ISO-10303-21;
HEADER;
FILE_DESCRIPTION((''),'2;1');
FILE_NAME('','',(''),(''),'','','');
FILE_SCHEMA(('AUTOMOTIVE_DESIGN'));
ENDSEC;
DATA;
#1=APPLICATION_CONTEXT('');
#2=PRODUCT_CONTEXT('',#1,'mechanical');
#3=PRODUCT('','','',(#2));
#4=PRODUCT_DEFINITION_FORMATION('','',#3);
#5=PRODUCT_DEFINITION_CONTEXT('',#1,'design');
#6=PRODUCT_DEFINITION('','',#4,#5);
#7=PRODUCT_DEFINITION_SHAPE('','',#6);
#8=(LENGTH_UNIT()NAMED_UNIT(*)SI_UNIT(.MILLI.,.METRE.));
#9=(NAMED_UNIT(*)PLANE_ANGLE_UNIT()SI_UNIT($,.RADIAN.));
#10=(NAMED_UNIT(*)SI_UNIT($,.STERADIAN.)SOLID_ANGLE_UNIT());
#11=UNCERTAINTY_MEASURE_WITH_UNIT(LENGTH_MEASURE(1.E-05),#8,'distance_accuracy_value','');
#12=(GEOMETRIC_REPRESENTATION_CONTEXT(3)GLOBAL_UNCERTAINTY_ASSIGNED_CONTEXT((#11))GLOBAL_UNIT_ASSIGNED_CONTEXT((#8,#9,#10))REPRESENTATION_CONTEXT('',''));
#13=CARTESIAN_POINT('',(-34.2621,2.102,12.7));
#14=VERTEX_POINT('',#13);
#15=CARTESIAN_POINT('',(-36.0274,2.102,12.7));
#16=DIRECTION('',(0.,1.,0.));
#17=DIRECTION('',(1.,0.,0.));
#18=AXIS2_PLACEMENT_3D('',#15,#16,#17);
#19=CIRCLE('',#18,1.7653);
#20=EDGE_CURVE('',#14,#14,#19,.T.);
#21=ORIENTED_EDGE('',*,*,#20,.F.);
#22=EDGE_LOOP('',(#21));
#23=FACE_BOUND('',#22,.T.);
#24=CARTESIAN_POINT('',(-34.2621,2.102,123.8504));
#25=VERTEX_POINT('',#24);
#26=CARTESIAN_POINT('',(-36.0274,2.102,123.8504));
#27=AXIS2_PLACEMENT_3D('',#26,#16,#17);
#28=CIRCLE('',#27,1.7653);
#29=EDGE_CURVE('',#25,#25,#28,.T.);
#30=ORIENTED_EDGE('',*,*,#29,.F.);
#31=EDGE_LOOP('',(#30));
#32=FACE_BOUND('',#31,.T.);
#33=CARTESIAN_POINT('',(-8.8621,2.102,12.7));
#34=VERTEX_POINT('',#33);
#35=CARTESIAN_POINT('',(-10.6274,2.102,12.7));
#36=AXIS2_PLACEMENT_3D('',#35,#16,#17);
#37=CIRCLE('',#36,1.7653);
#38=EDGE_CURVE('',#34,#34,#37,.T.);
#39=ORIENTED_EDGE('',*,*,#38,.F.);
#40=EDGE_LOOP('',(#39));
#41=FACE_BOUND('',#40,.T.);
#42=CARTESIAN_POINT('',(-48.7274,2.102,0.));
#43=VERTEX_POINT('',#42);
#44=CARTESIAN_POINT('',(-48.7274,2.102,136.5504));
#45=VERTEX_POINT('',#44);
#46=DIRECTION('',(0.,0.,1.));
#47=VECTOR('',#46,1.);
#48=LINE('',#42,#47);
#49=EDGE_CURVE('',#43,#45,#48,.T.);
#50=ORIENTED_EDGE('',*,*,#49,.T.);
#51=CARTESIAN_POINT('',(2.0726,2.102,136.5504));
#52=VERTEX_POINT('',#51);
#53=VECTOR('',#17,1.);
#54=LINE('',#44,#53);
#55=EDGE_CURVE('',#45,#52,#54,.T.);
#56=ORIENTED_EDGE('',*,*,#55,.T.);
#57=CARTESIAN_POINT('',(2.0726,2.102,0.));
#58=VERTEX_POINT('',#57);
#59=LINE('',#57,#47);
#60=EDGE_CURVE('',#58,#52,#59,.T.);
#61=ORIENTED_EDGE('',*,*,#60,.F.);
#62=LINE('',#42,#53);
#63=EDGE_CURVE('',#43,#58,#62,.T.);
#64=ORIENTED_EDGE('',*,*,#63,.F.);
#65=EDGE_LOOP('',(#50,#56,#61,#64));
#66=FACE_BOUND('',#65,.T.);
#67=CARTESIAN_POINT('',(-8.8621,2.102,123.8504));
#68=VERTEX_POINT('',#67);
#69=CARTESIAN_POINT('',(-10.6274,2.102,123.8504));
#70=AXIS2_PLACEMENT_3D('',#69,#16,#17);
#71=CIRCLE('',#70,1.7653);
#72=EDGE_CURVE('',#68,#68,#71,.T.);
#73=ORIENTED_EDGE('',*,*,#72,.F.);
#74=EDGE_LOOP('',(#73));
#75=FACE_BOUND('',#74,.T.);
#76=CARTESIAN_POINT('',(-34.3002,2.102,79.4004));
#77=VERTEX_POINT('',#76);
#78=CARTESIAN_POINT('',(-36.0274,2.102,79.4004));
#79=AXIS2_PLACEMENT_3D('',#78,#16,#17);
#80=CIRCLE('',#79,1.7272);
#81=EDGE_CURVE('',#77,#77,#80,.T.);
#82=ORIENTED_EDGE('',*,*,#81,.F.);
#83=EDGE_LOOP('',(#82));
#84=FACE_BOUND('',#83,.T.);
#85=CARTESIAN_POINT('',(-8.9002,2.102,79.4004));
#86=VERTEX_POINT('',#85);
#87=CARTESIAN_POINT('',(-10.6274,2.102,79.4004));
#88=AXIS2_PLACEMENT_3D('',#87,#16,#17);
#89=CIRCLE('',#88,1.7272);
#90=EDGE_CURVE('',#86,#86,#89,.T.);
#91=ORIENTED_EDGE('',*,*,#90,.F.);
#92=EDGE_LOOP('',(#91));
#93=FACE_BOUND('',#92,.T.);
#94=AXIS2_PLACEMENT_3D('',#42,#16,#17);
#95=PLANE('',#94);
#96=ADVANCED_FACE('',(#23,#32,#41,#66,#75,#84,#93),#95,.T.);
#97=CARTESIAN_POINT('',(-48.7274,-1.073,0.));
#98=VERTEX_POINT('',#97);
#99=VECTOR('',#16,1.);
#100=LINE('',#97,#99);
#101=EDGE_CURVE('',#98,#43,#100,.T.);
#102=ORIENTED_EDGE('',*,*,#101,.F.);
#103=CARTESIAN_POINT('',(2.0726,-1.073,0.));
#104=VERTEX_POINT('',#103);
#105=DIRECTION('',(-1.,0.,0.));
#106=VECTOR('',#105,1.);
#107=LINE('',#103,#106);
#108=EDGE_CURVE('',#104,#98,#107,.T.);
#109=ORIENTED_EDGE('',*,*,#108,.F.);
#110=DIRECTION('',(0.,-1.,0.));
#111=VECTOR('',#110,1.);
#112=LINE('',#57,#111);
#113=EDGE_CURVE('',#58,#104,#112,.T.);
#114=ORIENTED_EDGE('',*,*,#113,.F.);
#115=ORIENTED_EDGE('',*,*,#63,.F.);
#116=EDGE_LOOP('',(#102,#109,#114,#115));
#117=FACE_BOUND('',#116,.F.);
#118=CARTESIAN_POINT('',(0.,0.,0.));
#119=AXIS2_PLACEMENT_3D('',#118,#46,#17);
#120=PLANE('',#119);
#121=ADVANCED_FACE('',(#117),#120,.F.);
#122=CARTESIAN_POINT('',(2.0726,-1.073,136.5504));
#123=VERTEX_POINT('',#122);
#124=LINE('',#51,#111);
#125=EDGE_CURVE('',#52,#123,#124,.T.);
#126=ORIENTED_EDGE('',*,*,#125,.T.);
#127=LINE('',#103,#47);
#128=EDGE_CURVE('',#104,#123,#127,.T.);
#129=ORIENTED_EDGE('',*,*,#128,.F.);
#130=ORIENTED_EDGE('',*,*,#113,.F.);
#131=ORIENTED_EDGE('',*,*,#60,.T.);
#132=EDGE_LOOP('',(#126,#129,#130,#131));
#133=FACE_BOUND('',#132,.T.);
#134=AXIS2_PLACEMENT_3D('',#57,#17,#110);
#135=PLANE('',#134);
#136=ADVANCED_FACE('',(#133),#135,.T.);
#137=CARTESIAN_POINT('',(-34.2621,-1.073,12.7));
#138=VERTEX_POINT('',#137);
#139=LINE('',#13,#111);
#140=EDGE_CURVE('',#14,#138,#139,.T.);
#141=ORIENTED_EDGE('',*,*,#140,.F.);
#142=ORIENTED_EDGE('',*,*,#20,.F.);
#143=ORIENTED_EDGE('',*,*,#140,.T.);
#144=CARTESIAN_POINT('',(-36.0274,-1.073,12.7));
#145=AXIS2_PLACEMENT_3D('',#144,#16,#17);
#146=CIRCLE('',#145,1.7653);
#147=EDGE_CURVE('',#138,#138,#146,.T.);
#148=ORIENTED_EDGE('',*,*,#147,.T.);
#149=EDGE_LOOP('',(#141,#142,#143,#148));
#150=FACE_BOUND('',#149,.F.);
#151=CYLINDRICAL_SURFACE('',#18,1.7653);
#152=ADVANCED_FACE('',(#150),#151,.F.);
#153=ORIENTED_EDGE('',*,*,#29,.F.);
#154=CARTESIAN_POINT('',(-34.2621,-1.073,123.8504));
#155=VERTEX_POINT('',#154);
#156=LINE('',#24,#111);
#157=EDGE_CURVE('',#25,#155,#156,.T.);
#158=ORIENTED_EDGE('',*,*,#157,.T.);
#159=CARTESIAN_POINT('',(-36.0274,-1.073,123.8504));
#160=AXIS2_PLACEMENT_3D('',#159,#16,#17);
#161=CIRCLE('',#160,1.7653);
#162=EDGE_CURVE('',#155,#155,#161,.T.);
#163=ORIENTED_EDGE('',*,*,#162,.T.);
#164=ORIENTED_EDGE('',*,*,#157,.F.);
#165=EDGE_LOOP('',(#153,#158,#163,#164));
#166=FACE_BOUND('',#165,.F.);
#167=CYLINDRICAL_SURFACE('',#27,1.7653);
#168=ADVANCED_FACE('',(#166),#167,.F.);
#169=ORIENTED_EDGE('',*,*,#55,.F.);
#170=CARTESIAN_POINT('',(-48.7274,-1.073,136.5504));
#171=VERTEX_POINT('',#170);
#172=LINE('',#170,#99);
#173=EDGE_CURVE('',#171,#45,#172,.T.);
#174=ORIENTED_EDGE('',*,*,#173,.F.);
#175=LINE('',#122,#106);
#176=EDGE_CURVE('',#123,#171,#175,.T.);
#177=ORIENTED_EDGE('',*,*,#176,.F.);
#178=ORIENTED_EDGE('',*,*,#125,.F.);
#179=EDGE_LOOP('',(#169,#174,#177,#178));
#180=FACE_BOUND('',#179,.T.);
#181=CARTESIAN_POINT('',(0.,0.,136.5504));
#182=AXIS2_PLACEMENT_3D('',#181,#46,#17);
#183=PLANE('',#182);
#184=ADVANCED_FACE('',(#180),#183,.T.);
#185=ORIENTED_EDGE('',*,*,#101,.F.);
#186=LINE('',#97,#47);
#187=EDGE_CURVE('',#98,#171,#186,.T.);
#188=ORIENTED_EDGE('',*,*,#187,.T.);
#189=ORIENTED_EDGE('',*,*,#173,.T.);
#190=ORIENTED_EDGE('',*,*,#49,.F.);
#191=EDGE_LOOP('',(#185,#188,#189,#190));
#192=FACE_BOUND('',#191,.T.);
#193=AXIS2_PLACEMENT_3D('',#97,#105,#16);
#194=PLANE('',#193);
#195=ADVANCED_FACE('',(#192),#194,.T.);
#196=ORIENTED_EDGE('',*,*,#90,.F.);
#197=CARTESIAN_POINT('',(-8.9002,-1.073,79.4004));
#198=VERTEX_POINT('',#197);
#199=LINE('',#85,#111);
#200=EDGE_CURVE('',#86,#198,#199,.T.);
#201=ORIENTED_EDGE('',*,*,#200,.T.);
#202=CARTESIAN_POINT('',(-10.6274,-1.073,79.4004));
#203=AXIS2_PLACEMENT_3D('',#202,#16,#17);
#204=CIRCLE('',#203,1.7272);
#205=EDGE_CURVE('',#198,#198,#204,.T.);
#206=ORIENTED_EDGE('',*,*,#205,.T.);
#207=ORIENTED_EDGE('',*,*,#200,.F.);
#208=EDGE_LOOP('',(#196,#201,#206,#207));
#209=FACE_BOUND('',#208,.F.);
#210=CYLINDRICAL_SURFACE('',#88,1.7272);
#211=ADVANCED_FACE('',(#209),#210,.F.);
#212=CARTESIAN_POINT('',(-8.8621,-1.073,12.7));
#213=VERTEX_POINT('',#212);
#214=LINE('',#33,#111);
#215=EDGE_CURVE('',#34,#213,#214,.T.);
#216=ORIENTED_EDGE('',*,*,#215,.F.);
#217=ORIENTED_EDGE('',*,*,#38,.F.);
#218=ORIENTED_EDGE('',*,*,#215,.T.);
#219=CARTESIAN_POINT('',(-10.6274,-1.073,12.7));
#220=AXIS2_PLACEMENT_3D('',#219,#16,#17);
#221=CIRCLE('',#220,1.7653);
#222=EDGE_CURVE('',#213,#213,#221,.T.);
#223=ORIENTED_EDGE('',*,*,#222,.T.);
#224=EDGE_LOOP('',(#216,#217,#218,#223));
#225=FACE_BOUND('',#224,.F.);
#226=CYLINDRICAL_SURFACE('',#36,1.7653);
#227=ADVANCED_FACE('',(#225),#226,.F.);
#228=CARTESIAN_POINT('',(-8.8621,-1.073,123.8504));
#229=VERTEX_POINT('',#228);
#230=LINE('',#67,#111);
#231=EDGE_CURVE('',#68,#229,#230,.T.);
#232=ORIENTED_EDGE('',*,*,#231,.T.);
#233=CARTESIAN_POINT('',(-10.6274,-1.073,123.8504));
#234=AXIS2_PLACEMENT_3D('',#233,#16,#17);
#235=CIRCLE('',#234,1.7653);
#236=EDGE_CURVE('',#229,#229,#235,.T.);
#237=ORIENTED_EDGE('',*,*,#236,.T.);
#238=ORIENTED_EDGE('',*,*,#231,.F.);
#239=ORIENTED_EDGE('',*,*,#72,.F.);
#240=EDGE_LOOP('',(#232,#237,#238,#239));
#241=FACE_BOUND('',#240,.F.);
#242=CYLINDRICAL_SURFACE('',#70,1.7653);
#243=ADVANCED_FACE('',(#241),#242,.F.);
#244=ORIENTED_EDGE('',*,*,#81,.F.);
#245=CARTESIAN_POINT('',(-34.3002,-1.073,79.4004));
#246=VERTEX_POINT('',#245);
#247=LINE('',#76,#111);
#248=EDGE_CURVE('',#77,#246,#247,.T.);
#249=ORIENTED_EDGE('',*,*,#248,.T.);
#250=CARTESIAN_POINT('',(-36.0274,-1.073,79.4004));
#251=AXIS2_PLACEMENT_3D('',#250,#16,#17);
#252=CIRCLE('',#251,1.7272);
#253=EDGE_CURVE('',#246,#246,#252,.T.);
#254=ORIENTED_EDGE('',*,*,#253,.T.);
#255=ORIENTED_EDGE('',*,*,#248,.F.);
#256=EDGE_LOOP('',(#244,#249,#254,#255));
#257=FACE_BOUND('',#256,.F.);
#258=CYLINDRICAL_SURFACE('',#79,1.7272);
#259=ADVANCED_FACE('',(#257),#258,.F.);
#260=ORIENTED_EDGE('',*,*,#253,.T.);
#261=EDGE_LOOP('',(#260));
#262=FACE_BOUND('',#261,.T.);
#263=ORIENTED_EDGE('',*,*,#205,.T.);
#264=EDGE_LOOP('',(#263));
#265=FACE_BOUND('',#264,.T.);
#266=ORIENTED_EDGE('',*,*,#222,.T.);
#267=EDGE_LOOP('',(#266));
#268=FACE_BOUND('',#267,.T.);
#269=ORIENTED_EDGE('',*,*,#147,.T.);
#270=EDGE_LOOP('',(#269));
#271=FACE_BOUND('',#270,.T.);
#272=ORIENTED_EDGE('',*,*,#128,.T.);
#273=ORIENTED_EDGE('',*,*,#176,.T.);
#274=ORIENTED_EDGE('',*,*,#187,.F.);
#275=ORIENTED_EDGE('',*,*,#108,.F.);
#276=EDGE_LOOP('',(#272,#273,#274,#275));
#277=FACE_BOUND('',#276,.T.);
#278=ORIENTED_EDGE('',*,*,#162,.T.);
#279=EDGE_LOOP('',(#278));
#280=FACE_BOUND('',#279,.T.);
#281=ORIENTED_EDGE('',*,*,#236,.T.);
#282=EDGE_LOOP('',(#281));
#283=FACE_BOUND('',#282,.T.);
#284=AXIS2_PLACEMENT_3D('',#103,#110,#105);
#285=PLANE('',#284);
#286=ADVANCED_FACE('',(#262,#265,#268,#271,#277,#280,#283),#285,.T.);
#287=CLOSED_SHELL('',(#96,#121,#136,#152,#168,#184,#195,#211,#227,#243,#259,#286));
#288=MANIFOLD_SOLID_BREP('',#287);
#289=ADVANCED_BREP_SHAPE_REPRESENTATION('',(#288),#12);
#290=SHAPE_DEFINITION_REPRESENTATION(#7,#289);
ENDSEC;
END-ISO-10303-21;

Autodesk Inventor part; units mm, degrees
ref_plane "YZ Plane" through (0, 0, 0) normal (1, 0, 0) x (0, 1, 0)
ref_plane "XZ Plane" through (0, 0, 0) normal (0, 1, 0) x (-1, 0, 0)
ref_plane "XY Plane" through (0, 0, 0) normal (0, 0, 1) x (1, 0, 0)
sketch "Sketch1" plane through (0, 0, 0) normal (0, 0, 1) x (1, 0, 0)
  line L0 (-48.7274, 2.102) -> (2.0726, 2.102)
  line L1 (2.0726, 2.102) -> (2.0726, -1.073)
  line L2 (2.0726, -1.073) -> (-48.7274, -1.073)
  line L3 (-48.7274, -1.073) -> (-48.7274, 2.102)
  point P0 (0, 0)
  dimension "d0" = 3.175
  dimension "d1" = 50.8
extrude "Extrusion1" add sketch "Sketch1" along normal blind 136.5504
sketch "Sketch2" plane through (-48.7274, 2.102, 0) normal (0, 1, 0) x (1, 0, 0)
  circle A0 centre (12.7, -12.7) radius 1.7653
  circle A1 centre (38.1, -12.7) radius 1.7653
  circle A2 centre (12.7, -123.8504) radius 1.7653
  circle A3 centre (38.1, -123.8504) radius 1.7653
  line L0 (12.7, -123.8504) -> (38.1, -123.8504) construction
  line L1 (38.1, -123.8504) -> (38.1, -12.7) construction
  line L2 (38.1, -12.7) -> (12.7, -12.7) construction
  line L3 (12.7, -12.7) -> (12.7, -123.8504) construction
  line L4 (50.8, 0) -> (0, 0) projected
  line L5 (50.8, 0) -> (50.8, -136.5504) projected
  point P0 (48.7274, 0)
  dimension "d5" = 3.5306
  dimension "d6" = 111.1504
  dimension "d7" = 12.7
  dimension "d8" = 25.4
  dimension "d9" = 12.7
extrude "Extrusion2" cut sketch "Sketch2" against normal through all
sketch "Sketch3" plane through (-48.7274, 2.102, 0) normal (0, 1, 0) x (1, 0, 0)
  circle A0 centre (12.7, -79.4004) radius 1.7272
  circle A1 centre (38.1, -79.4004) radius 1.7272
  line L0 (12.7, -79.4004) -> (38.1, -79.4004) construction
  line L1 (0, 0) -> (0, -136.5504) projected
  circle A2 centre (12.7, -12.7) radius 1.7653 projected
  circle A3 centre (12.7, -123.8504) radius 1.7653 projected
  point P0 (48.7274, 0)
  point P1 (25.4, -79.4004)
  dimension "d12" = 3.4544
  dimension "d13" = 25.4
  dimension "d14" = 12.7
  dimension "d18" = 44.45
extrude "Extrusion3" cut sketch "Sketch3" against normal through all contours A0 | A1
equation "\"d3\" = d2"
equation "\"d2\" = 136.5504"
properties part number "Flat Bar KY"
